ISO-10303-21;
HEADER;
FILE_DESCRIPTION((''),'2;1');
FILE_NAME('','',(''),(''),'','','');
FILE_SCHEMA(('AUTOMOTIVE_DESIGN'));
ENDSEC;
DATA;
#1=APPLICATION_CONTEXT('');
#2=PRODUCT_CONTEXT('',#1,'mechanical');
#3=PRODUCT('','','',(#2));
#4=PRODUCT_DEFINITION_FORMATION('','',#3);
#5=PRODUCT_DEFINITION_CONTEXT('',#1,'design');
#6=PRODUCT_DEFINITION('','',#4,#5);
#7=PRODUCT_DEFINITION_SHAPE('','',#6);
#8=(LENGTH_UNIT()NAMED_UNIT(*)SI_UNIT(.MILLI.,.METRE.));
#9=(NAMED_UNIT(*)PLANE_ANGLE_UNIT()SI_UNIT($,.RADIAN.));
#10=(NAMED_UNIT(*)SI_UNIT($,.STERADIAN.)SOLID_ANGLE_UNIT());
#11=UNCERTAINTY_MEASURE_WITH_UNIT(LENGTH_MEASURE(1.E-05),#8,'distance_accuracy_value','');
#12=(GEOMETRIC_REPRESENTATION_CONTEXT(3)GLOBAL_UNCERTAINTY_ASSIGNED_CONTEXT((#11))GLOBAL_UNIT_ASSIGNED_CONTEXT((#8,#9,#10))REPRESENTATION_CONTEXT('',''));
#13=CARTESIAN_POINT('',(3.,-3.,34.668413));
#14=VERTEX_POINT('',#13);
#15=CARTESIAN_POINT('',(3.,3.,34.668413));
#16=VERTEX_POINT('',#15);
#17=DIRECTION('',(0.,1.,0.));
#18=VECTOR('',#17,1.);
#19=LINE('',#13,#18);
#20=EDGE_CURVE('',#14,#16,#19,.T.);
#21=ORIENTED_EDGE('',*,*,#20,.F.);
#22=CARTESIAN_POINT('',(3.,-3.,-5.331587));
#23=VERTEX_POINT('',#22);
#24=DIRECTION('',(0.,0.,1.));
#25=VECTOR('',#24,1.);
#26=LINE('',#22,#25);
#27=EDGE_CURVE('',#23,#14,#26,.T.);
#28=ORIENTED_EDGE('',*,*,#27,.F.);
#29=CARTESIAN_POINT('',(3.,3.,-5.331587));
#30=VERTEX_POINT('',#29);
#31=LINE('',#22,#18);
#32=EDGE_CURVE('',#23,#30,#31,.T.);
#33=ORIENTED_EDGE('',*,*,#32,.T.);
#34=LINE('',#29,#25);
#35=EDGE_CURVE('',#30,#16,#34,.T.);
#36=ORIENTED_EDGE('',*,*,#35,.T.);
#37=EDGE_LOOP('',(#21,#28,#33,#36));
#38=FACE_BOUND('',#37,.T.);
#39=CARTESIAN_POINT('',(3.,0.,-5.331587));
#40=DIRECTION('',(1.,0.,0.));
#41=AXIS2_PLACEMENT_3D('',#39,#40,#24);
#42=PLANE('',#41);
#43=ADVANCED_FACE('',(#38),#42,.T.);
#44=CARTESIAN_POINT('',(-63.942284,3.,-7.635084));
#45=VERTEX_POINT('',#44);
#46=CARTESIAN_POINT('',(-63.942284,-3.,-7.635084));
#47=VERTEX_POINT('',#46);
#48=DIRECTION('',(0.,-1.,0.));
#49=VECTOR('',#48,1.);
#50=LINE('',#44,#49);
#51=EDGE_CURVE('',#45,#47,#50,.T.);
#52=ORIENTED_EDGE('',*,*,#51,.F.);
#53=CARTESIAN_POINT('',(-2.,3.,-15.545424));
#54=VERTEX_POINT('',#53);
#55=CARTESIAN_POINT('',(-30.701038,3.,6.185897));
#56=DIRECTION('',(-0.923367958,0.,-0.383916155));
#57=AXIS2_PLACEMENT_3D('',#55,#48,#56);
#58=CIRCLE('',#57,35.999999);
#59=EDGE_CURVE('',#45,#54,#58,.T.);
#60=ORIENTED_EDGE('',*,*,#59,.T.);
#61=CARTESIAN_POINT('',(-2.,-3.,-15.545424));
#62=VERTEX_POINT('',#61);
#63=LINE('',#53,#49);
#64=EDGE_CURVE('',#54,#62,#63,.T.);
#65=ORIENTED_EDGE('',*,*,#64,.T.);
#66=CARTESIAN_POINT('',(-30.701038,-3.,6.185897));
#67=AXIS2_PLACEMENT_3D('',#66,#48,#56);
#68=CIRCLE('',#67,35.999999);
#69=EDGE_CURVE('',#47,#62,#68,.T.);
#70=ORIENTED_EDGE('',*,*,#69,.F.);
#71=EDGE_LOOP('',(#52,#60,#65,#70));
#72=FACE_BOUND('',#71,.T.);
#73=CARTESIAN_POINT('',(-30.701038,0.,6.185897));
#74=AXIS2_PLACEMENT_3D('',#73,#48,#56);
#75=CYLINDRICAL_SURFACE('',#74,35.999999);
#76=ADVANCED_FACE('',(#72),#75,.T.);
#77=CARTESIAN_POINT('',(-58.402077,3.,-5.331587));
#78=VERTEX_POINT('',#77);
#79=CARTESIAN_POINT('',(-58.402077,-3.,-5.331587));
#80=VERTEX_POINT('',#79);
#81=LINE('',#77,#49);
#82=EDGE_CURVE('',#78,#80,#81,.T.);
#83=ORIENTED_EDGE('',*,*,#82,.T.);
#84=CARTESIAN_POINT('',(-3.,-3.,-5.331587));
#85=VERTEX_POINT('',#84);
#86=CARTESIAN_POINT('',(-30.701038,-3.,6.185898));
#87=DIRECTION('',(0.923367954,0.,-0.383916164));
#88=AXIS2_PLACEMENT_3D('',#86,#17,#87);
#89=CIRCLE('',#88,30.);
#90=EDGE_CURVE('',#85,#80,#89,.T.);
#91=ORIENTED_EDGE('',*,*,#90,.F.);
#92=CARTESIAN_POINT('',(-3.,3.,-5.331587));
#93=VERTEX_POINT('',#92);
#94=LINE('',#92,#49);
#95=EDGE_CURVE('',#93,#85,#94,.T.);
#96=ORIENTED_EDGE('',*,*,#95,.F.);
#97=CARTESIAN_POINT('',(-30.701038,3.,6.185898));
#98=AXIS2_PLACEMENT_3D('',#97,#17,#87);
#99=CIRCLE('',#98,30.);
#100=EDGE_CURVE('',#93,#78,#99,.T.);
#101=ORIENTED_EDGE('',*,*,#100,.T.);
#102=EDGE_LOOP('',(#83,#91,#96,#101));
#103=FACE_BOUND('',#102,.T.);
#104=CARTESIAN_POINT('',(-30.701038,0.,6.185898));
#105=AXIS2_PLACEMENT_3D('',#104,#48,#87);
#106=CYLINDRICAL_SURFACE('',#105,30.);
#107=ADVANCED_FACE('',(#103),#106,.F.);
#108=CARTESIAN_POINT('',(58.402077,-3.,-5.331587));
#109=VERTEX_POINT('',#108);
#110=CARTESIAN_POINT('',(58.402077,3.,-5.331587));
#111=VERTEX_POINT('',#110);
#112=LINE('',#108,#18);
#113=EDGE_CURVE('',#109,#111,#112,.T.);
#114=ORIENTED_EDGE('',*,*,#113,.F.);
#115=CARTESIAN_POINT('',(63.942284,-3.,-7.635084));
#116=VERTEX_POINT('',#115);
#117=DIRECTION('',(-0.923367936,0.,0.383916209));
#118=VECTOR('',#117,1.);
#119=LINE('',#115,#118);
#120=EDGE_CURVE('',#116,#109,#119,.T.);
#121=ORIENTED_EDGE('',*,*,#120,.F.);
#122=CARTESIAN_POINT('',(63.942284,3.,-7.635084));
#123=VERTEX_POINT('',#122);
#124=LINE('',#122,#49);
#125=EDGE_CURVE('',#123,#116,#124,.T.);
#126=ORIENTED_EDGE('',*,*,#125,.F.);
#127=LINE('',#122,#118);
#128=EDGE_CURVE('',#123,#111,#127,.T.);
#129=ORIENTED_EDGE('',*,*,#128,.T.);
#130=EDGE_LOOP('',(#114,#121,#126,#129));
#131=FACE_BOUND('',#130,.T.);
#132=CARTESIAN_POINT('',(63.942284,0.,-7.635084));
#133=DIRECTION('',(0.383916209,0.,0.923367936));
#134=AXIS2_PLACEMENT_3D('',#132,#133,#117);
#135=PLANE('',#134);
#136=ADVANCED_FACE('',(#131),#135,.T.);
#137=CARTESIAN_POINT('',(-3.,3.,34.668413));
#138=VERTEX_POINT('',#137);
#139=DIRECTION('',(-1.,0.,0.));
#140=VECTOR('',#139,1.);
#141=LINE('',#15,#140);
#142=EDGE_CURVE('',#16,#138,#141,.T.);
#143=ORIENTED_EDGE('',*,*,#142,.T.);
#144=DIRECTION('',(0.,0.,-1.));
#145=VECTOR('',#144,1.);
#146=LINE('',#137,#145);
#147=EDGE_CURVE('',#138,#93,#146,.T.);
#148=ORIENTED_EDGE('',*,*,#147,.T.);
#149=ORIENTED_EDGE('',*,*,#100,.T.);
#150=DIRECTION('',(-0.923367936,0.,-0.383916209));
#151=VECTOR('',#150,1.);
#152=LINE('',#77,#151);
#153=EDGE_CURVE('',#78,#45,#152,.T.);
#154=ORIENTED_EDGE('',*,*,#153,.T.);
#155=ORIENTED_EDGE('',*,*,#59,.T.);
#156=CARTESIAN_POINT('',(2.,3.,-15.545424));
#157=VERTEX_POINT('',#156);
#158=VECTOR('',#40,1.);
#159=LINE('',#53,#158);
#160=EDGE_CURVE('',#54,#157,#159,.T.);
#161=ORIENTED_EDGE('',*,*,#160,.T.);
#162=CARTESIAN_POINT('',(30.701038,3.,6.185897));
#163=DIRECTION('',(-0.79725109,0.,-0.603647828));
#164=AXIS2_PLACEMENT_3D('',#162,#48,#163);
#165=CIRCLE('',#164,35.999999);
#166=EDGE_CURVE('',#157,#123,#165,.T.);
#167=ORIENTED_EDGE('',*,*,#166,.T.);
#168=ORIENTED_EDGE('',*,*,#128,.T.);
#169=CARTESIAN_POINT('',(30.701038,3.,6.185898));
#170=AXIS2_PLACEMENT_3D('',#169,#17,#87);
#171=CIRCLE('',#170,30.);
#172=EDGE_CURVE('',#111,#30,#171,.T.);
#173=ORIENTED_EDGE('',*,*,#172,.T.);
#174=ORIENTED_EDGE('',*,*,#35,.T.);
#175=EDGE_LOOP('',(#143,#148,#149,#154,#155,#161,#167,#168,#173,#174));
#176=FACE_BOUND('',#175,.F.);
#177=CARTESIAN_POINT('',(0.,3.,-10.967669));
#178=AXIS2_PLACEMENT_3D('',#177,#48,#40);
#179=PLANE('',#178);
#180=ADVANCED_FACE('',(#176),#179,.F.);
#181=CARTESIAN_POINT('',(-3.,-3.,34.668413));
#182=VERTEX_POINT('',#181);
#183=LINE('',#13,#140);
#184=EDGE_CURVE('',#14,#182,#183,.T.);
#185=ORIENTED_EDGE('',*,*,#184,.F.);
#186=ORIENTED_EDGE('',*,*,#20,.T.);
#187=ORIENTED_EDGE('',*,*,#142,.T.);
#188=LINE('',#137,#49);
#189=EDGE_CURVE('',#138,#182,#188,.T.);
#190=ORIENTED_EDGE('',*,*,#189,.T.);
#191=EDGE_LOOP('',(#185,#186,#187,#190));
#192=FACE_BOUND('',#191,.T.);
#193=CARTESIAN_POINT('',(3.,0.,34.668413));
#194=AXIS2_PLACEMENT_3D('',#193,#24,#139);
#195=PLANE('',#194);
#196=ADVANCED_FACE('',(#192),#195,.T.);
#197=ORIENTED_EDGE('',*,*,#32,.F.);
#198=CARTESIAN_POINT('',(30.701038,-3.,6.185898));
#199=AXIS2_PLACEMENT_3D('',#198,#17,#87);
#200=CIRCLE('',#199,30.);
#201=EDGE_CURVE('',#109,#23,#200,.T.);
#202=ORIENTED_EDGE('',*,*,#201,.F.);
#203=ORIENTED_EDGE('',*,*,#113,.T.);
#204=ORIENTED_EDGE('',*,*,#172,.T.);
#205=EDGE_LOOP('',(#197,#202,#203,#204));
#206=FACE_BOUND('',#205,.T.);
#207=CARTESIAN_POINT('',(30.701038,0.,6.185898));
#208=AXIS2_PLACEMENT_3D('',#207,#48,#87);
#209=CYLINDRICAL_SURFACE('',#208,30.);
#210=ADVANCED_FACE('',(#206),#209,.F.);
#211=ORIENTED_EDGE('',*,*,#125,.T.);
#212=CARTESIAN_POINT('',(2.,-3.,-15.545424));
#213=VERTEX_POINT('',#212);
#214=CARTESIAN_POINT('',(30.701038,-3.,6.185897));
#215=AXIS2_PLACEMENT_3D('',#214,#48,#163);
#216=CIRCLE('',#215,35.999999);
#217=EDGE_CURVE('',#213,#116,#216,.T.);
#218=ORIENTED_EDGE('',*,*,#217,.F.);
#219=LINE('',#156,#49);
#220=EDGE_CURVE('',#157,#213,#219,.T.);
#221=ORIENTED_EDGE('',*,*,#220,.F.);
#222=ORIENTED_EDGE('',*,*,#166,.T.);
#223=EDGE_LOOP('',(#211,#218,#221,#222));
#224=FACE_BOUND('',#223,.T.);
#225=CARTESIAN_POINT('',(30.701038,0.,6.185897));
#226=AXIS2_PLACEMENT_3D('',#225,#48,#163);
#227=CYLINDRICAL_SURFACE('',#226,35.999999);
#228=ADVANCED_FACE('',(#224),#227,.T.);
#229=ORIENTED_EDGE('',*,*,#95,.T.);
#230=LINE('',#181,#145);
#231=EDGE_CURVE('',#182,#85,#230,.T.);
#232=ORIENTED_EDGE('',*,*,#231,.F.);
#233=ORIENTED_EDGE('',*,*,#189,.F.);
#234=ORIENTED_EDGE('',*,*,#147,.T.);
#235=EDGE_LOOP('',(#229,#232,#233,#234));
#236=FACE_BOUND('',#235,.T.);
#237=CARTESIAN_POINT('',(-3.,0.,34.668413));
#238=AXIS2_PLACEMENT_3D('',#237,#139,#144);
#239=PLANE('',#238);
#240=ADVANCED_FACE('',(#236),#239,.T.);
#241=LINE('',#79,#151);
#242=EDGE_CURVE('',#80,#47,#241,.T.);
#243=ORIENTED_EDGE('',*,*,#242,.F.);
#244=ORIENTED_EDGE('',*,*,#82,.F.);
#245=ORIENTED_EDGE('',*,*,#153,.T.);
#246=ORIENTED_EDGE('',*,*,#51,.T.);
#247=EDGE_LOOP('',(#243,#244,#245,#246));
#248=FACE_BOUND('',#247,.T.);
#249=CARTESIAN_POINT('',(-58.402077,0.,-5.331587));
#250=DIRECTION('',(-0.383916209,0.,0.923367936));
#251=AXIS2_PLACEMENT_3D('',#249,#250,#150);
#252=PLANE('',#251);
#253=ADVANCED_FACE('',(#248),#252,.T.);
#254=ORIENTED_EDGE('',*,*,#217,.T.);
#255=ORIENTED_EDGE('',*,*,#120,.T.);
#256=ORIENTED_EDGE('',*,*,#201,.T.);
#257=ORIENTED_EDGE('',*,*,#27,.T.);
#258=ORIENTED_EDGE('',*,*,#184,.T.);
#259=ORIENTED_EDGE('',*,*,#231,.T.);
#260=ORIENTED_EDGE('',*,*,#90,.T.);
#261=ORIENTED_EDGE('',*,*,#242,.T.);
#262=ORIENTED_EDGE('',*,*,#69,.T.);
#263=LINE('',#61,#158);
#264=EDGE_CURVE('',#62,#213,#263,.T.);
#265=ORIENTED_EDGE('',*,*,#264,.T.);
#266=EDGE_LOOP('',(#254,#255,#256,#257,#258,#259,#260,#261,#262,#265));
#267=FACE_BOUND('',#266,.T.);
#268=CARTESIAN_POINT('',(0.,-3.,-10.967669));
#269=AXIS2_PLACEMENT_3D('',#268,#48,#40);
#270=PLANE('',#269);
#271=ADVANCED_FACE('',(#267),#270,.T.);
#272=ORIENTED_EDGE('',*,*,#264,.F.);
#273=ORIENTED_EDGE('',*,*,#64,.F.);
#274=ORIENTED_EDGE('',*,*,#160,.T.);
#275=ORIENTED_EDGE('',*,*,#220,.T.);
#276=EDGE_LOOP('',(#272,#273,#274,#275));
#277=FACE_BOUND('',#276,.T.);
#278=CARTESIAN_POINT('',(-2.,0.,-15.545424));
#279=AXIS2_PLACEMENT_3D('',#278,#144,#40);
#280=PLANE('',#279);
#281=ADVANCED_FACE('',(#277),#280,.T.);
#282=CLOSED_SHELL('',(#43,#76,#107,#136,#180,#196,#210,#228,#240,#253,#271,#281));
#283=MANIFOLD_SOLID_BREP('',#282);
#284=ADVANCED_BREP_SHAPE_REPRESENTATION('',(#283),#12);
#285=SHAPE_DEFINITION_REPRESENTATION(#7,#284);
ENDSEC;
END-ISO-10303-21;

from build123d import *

# Parameters (mm, degrees)
F1_DEPTH = 3


with BuildPart() as f1:
    # F0 (on Front) → F1 (new body, symmetric)
    with BuildSketch(Plane.XZ):
        with BuildLine():
            Line((3, 34.668413), (-3, 34.668413))
            Line((-3, 34.668413), (-3, -5.331587))
            ThreePointArc((-3, -5.331587), (-30.701038, -23.814102), (-58.402077, -5.331587))
            Line((-58.402077, -5.331587), (-63.942284, -7.635084))
            ThreePointArc((-63.942284, -7.635084), (-35.261383, -29.52409), (-2, -15.545424))
            Line((-2, -15.545424), (2, -15.545424))
            ThreePointArc((2, -15.545424), (35.261383, -29.52409), (63.942284, -7.635084))
            Line((63.942284, -7.635084), (58.402077, -5.331587))
            ThreePointArc((58.402077, -5.331587), (30.701038, -23.814102), (3, -5.331587))
            Line((3, -5.331587), (3, 34.668413))
        make_face()
    extrude(amount=F1_DEPTH, both=True)


solid = f1.part
